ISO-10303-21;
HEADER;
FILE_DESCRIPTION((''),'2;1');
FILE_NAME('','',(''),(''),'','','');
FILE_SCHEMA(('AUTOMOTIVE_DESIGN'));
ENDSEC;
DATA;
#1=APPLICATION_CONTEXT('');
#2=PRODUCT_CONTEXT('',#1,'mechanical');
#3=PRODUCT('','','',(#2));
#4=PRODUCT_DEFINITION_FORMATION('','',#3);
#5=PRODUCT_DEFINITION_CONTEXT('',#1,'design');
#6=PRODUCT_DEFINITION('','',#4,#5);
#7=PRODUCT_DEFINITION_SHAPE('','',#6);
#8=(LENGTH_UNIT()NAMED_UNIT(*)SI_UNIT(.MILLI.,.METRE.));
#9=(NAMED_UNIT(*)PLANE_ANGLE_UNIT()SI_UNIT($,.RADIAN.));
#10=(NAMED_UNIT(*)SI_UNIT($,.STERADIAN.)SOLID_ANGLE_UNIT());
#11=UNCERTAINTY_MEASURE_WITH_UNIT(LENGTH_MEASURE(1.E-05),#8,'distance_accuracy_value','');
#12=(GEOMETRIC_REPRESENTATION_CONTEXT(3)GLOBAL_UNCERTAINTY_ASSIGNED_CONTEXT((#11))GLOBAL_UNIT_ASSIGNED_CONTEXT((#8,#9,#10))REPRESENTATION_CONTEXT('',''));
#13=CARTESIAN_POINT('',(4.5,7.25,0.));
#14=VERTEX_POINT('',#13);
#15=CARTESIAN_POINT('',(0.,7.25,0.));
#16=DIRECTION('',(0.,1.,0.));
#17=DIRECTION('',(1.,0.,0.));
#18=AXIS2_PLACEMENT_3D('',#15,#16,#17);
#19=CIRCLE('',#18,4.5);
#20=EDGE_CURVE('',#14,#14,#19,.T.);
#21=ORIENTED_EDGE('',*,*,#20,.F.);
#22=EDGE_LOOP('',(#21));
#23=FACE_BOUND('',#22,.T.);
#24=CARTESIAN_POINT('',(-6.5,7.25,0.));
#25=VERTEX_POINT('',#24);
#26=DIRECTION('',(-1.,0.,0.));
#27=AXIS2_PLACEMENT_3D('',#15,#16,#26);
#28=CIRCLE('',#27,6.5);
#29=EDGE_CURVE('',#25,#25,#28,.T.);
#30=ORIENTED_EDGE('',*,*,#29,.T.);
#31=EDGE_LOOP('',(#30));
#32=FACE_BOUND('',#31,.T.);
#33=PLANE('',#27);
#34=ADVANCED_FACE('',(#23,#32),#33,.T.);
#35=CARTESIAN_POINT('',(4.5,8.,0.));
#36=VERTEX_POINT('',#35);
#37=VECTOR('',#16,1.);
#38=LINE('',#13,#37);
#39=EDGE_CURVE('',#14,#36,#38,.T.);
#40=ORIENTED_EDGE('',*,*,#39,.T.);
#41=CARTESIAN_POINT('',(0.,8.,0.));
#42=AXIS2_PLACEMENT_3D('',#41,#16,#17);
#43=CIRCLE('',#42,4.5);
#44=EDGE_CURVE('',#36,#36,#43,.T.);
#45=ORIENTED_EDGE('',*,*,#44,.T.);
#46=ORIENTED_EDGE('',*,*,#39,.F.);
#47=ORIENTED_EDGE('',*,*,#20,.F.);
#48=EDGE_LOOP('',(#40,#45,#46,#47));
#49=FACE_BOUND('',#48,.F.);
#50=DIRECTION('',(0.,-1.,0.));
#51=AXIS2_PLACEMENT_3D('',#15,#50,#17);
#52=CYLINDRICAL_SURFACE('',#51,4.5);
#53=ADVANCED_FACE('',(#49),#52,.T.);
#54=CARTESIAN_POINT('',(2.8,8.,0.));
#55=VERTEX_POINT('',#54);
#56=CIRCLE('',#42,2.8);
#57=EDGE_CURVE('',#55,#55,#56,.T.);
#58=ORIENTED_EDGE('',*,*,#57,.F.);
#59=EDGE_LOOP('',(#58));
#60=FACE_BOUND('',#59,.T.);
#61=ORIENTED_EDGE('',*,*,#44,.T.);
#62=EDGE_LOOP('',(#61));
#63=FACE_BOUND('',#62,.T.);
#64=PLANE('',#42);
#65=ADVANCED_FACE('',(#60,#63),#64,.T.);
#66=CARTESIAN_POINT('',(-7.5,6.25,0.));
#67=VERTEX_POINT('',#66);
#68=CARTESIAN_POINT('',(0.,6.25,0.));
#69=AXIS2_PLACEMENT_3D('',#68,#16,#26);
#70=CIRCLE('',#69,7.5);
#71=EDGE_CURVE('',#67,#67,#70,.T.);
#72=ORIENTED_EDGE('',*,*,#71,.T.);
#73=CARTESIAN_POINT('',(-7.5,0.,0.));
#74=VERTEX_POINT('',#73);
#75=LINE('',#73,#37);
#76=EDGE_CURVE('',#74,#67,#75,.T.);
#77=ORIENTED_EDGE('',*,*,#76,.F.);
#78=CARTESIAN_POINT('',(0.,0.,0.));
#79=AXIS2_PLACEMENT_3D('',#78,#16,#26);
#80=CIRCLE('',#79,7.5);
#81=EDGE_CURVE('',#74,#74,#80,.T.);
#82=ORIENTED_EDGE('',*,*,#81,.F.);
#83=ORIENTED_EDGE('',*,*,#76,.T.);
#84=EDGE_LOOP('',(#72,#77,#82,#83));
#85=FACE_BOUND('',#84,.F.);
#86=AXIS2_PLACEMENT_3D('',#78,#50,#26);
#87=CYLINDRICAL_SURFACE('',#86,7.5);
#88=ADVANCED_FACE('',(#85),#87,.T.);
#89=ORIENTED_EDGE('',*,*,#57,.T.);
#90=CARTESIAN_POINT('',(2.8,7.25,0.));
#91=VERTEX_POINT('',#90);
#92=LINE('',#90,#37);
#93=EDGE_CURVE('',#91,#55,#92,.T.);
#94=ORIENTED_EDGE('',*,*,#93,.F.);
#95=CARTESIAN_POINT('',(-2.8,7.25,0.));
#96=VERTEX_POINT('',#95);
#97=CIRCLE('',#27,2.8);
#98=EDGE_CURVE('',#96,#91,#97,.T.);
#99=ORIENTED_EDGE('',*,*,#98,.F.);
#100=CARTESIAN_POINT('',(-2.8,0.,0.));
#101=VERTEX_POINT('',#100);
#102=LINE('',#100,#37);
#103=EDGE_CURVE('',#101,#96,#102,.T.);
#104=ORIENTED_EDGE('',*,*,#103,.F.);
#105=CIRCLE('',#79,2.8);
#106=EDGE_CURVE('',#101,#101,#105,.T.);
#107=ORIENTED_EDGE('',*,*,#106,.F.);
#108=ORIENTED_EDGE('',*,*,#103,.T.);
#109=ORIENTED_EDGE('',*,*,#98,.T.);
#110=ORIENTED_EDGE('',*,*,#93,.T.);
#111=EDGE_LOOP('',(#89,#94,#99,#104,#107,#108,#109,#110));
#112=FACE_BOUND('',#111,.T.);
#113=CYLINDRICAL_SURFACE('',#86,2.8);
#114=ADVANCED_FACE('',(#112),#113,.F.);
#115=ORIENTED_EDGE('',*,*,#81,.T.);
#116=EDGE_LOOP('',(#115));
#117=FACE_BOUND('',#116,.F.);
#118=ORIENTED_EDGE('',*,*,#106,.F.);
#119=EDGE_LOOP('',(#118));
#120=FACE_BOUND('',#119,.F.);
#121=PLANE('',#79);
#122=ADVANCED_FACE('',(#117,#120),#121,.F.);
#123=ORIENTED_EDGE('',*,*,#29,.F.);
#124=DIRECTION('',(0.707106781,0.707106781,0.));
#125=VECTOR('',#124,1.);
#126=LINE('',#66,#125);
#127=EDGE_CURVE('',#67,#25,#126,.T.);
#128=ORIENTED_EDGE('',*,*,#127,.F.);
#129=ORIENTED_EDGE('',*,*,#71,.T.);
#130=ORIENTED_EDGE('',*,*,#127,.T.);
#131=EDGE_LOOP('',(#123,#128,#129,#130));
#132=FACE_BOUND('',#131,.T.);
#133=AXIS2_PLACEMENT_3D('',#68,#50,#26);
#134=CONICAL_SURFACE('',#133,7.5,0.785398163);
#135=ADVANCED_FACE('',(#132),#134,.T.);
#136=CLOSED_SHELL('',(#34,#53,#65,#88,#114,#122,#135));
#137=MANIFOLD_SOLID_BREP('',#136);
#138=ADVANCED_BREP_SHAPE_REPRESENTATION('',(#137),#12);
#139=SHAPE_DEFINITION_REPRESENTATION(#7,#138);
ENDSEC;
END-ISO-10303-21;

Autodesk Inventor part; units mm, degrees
ref_plane "YZ Plane" through (0, 0, 0) normal (1, 0, 0) x (0, 1, 0)
ref_plane "XZ Plane" through (0, 0, 0) normal (0, 1, 0) x (-1, 0, 0)
ref_plane "XY Plane" through (0, 0, 0) normal (0, 0, 1) x (1, 0, 0)
sketch "Sketch1" plane through (0, 0, 0) normal (0, 1, 0) x (-1, 0, 0)
  circle A0 centre (0, 0) radius 2.8
  circle A1 centre (0, 0) radius 7.5
  dimension "d0" = 5.6
  dimension "d1" = 15
extrude "Extrusion1" add sketch "Sketch1" along normal blind 7.25
sketch "Sketch2" plane through (0, 7.25, 0) normal (0, 1, 0) x (1, 0, 0)
  circle A0 centre (0, 0) radius 4.5
  circle A1 centre (0, 0) radius 2.8 projected
  dimension "d4" = 9
extrude "Extrusion2" add sketch "Sketch2" along normal blind 0.75
chamfer "Chamfer1" distance 1 angle 45 1 edges at (7.5, 7.25, 0)
properties part number "Y-Carraige_Spacer_LM3044" material "ABS Plastic"
